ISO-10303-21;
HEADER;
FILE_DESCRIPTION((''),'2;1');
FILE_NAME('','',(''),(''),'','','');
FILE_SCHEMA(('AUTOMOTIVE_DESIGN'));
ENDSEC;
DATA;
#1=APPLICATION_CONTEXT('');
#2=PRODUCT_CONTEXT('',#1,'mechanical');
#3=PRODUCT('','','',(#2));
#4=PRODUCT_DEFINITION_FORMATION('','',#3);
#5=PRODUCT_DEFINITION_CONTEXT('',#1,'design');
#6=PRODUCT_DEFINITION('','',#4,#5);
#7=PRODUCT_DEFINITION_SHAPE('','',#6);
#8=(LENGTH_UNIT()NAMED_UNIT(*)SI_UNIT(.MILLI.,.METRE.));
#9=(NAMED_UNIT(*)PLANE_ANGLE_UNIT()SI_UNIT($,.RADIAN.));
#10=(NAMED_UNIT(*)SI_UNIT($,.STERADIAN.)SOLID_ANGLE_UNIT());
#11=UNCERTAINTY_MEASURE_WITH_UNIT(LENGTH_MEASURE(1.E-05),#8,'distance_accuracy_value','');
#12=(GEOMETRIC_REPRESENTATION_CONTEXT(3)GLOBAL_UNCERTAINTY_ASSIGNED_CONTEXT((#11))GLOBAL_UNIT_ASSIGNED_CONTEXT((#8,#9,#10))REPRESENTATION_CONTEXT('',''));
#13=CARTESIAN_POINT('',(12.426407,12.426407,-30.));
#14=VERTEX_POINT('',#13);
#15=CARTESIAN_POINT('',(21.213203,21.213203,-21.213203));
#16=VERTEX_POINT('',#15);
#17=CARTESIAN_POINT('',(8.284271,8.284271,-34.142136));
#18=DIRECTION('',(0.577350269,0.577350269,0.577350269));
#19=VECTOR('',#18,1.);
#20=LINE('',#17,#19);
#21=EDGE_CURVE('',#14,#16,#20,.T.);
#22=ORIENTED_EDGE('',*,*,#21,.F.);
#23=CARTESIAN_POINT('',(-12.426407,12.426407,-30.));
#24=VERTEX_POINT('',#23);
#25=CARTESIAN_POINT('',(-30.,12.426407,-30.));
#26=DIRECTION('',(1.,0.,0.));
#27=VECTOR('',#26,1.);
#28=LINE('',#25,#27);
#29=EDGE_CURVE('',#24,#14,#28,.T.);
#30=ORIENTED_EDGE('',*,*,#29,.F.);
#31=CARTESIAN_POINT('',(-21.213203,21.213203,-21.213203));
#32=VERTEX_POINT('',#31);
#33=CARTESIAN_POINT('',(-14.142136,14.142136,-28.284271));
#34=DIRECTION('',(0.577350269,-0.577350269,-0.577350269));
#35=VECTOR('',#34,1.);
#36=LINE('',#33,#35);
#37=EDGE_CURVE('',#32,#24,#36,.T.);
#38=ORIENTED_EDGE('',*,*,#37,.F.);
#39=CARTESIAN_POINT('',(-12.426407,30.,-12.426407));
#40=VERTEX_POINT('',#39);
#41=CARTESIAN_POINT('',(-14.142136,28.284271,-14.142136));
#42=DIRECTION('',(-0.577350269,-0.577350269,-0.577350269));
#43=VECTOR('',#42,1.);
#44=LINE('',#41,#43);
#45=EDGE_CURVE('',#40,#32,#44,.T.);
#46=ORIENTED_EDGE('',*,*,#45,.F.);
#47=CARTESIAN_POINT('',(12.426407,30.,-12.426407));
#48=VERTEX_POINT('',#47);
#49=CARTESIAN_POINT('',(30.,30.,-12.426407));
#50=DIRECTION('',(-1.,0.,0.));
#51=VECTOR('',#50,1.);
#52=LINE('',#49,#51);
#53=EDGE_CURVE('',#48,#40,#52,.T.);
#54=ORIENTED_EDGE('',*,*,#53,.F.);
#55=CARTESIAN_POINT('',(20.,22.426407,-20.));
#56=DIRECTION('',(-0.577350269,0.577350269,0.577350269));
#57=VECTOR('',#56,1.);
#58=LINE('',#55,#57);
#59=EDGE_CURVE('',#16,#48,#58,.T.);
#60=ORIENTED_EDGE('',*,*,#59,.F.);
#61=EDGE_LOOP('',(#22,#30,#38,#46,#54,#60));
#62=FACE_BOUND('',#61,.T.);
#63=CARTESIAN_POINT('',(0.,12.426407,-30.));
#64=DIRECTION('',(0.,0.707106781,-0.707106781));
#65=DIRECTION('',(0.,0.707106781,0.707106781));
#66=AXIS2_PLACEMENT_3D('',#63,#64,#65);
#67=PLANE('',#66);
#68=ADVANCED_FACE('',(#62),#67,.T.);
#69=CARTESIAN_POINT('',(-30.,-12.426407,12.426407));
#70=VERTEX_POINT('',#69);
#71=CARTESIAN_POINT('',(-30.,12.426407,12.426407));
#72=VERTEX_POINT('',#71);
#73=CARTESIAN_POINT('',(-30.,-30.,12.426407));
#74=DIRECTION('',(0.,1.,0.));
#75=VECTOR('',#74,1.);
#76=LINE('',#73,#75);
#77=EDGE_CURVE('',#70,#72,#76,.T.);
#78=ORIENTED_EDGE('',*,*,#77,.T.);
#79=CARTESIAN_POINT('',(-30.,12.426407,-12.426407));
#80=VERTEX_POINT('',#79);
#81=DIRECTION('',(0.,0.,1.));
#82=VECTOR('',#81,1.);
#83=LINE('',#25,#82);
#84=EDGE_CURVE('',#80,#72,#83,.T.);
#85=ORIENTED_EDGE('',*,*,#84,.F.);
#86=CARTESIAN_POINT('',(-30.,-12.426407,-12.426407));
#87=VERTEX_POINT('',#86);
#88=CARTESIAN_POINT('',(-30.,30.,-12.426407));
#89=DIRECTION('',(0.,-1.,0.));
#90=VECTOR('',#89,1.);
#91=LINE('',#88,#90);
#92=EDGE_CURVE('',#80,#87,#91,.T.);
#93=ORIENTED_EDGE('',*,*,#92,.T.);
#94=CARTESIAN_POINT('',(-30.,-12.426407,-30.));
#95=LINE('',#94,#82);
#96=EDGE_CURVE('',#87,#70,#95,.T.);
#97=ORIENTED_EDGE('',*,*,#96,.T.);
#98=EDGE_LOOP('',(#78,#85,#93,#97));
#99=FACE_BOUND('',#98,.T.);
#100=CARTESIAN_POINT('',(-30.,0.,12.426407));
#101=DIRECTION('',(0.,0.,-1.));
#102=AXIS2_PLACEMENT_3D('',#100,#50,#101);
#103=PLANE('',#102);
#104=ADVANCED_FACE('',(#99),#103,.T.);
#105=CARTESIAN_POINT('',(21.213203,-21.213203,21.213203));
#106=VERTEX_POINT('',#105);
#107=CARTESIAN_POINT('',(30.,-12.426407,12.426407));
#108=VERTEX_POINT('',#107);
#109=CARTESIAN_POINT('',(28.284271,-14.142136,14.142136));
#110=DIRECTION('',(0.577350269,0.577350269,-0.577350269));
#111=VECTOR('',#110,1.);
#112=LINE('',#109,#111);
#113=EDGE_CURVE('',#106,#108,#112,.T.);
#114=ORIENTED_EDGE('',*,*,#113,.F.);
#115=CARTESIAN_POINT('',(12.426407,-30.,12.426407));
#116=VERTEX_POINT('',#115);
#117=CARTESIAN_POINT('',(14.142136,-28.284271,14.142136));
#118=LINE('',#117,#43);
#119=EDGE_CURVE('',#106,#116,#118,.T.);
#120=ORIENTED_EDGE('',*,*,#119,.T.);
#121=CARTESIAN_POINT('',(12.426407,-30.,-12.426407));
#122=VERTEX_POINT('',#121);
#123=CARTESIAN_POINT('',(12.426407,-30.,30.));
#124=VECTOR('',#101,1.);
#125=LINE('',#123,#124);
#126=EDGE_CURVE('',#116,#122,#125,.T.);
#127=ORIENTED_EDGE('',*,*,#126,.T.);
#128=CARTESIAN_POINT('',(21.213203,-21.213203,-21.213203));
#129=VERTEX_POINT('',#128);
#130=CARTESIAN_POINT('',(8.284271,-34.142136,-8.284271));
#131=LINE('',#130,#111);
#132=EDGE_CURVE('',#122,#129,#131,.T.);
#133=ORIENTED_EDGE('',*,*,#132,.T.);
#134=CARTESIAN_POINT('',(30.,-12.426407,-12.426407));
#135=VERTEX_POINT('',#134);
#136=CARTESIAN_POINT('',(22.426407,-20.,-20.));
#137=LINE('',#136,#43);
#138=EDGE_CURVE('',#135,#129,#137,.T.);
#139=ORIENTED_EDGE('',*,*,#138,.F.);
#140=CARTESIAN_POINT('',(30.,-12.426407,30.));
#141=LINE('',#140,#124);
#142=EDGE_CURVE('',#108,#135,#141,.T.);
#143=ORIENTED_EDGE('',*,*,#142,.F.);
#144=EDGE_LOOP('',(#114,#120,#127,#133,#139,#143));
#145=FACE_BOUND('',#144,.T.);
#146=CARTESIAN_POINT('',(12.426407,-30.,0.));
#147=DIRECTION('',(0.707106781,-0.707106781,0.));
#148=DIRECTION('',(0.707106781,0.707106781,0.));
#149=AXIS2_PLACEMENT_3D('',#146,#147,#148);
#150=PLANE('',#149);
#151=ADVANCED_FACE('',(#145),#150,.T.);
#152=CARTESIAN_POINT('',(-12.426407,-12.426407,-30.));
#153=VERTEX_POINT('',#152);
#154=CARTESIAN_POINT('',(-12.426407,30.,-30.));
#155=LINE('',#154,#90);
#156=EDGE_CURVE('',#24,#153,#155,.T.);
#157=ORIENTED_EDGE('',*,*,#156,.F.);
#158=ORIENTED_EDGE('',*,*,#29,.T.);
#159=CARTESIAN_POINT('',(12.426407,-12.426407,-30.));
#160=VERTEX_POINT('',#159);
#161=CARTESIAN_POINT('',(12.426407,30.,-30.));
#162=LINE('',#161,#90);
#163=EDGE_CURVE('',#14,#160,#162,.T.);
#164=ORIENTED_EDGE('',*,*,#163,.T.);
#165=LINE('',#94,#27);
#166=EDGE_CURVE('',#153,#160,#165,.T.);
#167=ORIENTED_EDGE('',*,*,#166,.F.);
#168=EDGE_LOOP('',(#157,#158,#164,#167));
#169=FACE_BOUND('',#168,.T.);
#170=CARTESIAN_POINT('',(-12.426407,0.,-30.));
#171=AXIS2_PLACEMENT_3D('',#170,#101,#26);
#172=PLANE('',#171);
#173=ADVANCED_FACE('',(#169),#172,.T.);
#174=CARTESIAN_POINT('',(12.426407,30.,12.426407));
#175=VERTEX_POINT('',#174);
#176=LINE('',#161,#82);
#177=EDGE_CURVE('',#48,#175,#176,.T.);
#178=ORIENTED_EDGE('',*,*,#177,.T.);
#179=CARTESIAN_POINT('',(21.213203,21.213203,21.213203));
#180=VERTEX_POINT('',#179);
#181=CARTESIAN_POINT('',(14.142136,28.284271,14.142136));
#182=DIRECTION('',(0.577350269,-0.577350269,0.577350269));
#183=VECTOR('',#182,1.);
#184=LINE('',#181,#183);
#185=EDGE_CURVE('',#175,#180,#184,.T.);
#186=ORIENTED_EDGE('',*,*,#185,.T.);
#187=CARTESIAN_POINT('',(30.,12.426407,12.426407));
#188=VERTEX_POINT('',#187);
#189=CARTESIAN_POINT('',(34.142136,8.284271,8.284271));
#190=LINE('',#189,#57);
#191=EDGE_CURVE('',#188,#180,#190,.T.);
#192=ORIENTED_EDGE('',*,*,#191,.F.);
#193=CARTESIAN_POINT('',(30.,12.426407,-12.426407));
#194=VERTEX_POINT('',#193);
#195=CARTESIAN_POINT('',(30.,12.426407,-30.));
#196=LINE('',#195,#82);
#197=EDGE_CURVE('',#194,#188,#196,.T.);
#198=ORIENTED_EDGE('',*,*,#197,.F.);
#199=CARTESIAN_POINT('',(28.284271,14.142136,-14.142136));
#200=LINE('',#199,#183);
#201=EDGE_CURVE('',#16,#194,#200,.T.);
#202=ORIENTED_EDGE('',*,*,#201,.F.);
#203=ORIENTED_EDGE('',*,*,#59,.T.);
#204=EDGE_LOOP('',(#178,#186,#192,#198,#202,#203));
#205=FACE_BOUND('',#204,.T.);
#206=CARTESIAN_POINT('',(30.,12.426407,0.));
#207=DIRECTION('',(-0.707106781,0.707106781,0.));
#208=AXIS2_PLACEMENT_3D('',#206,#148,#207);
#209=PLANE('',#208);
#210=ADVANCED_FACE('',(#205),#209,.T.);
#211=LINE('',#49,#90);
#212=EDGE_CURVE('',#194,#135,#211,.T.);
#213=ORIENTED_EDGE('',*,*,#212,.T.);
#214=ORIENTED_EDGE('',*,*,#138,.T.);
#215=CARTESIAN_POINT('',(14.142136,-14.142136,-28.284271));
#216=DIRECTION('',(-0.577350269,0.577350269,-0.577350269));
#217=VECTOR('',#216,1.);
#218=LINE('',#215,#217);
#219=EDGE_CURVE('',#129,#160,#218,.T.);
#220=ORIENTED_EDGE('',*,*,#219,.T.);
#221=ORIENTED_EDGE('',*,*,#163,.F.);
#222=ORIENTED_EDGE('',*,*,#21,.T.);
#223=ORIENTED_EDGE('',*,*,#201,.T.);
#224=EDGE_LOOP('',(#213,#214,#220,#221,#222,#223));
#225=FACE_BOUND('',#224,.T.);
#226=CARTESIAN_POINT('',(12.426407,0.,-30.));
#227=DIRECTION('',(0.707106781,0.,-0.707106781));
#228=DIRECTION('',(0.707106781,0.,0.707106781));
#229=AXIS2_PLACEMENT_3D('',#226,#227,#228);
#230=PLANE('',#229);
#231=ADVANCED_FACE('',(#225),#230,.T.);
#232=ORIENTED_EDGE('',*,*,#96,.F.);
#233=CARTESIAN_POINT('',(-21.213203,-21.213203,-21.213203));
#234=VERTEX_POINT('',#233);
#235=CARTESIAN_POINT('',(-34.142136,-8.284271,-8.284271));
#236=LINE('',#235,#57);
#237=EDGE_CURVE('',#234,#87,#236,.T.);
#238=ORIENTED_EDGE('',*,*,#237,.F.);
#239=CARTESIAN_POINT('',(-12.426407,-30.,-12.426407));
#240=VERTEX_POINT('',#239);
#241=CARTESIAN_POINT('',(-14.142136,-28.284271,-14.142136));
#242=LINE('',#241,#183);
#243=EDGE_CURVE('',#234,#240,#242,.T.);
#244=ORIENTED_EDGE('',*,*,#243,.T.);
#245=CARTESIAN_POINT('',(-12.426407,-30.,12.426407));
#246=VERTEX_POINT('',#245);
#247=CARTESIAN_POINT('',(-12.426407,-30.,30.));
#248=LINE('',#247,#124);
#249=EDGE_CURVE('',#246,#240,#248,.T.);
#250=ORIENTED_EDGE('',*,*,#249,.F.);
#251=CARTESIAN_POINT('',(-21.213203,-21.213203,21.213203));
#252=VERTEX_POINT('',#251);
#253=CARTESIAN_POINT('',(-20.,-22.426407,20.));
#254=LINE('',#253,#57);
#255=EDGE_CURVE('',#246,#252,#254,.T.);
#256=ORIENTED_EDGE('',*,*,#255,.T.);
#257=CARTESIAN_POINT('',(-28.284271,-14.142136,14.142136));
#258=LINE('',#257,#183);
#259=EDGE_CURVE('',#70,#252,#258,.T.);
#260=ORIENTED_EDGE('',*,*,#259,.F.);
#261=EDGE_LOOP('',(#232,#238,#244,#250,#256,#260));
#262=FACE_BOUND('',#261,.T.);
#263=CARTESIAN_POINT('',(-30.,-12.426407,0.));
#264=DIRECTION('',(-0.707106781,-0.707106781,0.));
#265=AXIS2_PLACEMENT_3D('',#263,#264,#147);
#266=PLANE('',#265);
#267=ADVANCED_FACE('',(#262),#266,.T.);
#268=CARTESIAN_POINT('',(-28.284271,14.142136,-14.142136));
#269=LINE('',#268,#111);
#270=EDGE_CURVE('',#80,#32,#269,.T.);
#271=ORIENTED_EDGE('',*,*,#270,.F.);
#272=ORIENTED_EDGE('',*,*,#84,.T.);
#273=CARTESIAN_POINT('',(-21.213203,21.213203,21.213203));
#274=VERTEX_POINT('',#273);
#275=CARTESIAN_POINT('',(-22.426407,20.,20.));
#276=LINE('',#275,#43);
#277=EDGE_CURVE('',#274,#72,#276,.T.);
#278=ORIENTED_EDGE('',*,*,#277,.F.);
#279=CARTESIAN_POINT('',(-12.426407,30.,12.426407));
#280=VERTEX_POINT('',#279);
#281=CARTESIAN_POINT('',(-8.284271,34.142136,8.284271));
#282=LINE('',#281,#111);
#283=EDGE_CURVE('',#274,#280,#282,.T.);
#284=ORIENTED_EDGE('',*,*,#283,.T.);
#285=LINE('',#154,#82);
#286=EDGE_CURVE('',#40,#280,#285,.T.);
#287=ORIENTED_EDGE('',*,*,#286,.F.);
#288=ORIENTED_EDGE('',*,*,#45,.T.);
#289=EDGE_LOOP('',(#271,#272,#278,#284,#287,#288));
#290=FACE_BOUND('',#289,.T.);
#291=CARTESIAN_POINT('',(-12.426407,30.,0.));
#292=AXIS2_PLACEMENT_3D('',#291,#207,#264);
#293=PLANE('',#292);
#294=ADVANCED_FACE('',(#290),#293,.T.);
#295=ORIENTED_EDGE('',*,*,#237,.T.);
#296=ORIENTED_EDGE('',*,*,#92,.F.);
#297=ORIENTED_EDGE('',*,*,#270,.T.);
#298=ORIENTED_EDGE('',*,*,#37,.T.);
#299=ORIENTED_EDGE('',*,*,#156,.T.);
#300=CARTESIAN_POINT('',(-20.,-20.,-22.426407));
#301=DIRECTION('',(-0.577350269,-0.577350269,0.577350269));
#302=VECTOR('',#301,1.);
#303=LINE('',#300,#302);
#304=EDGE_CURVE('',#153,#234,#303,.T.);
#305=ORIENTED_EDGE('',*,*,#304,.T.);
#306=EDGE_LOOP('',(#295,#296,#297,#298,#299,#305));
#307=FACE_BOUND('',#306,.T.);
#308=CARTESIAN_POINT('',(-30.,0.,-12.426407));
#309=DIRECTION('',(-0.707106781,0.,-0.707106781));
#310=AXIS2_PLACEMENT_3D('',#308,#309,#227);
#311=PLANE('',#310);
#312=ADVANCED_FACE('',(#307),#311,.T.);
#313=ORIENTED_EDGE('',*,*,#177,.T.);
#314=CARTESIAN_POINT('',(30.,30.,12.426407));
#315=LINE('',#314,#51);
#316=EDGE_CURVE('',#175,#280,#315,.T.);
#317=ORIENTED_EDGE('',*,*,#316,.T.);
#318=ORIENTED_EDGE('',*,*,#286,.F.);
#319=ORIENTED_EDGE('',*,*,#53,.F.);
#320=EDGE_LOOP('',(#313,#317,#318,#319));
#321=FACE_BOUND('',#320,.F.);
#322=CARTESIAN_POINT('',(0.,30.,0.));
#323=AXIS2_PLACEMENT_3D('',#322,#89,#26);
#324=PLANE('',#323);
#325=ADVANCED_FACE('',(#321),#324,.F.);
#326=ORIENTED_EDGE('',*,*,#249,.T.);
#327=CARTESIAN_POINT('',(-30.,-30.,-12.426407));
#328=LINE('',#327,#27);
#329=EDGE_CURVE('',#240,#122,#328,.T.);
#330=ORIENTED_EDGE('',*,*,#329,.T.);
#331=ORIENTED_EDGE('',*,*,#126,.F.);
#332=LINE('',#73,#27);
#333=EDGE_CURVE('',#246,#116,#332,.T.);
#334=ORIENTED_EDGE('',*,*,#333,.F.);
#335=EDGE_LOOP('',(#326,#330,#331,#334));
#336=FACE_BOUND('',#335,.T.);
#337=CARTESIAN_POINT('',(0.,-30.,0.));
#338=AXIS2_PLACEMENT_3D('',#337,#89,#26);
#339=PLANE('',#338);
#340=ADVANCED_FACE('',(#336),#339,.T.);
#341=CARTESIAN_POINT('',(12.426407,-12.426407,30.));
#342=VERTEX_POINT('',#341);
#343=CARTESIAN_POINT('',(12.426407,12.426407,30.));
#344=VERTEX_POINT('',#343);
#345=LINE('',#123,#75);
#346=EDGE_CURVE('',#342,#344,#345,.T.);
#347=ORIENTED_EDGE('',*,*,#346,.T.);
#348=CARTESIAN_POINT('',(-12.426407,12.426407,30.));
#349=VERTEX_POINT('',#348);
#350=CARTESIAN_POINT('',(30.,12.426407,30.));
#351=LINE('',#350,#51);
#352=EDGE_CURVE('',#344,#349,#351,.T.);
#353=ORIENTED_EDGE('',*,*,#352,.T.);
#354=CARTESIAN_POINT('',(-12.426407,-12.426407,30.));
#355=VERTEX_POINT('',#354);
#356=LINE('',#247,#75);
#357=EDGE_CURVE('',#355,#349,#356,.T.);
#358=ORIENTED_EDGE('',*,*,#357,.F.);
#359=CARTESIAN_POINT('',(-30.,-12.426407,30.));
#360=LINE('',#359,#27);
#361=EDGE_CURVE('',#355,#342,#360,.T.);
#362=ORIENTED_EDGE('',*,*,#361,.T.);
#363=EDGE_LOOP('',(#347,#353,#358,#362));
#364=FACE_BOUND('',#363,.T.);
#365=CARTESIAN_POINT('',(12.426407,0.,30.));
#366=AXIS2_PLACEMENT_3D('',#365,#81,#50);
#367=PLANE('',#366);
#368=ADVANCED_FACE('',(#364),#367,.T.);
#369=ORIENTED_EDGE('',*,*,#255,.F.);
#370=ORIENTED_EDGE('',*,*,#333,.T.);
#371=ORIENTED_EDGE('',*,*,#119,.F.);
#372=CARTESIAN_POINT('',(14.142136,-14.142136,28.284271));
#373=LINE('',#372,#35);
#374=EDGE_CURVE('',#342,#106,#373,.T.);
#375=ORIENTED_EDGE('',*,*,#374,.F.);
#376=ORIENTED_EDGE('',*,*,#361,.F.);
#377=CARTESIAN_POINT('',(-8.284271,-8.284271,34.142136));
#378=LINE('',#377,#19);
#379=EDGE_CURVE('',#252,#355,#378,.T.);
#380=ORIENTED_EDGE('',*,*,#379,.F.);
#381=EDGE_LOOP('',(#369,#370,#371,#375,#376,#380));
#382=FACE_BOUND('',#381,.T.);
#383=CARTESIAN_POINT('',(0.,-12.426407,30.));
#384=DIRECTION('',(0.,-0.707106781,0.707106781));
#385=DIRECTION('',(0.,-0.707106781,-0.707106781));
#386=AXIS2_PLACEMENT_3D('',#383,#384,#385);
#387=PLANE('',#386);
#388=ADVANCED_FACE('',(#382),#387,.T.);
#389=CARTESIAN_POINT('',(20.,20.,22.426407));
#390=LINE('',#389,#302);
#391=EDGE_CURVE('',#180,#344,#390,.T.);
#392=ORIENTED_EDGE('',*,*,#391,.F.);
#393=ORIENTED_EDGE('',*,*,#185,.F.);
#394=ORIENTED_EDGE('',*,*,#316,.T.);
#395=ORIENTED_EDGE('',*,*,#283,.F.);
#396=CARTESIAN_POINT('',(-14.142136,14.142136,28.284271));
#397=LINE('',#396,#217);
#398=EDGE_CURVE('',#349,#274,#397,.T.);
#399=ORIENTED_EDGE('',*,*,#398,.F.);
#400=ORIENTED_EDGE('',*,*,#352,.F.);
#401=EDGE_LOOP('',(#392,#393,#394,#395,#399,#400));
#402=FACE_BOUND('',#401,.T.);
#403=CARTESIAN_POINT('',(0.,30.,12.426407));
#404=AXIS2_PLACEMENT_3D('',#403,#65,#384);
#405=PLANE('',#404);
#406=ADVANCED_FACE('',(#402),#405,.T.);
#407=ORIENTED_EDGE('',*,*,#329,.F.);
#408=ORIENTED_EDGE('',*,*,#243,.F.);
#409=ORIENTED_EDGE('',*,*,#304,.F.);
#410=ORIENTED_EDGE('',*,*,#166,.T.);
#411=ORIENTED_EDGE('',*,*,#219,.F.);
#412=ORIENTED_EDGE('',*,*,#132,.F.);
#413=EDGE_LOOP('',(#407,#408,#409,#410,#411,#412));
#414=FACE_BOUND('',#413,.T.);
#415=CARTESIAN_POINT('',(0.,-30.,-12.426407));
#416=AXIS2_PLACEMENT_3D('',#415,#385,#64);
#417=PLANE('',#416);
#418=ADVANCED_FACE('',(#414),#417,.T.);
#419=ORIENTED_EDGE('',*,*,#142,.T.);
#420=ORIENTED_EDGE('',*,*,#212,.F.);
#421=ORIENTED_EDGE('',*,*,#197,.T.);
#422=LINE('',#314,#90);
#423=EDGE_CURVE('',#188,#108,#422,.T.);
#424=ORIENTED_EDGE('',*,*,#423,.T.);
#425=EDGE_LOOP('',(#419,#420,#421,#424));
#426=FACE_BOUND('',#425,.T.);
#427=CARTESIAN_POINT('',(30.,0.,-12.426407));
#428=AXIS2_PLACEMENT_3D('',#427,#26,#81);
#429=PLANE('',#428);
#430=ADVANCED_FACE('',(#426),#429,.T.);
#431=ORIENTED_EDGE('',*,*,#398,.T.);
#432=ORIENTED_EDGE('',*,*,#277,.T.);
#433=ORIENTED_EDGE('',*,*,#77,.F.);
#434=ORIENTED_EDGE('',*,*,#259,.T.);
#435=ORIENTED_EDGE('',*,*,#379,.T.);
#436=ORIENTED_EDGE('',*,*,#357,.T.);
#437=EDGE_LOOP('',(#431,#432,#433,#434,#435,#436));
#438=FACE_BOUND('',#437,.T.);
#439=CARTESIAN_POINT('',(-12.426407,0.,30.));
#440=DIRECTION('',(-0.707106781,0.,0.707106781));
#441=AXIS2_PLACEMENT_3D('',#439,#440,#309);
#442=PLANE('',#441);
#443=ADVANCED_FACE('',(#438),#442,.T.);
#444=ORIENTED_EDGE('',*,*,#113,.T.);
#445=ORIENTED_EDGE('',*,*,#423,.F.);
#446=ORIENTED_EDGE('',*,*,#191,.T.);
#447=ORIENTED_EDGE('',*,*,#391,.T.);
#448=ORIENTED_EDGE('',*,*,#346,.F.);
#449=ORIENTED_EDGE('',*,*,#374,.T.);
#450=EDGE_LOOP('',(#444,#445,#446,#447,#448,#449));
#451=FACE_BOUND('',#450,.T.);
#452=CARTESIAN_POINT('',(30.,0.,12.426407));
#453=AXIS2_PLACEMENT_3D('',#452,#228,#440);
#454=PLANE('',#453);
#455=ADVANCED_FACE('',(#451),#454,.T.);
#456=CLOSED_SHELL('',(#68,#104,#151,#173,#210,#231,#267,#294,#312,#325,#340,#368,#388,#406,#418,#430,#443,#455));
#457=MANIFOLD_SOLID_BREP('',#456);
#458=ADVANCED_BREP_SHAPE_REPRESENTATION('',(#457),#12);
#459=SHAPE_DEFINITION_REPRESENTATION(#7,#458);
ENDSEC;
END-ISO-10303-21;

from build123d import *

# Parameters (mm, degrees)
F3_DEPTH = 30
F4_DEPTH = 30
F5_DEPTH = 30


with BuildPart() as f3:
    # F0 (on Front) → F3 (new body, symmetric)
    with BuildSketch(Plane.XZ):
        Polygon((-30, 12.426407), (-30, -12.426407), (-12.426407, -30), (12.426407, -30), (30, -12.426407), (30, 12.426407), (12.426407, 30), (-12.426407, 30), align=None)
    extrude(amount=F3_DEPTH, both=True)

    # F1 (on Top) → F4 (intersect, symmetric)
    with BuildSketch(Plane.XY):
        Polygon((30, -12.426407), (30, 12.426407), (12.426407, 30), (-12.426407, 30), (-30, 12.426407), (-30, -12.426407), (-12.426407, -30), (12.426407, -30), align=None)
    extrude(amount=F4_DEPTH, both=True, mode=Mode.INTERSECT)

    # F2 (on Right) → F5 (intersect, symmetric)
    with BuildSketch(Plane.YZ):
        Polygon((12.426407, 30), (-12.426407, 30), (-30, 12.426407), (-30, -12.426407), (-12.426407, -30), (12.426407, -30), (30, -12.426407), (30, 12.426407), align=None)
    extrude(amount=F5_DEPTH, both=True, mode=Mode.INTERSECT)


solid = f3.part
